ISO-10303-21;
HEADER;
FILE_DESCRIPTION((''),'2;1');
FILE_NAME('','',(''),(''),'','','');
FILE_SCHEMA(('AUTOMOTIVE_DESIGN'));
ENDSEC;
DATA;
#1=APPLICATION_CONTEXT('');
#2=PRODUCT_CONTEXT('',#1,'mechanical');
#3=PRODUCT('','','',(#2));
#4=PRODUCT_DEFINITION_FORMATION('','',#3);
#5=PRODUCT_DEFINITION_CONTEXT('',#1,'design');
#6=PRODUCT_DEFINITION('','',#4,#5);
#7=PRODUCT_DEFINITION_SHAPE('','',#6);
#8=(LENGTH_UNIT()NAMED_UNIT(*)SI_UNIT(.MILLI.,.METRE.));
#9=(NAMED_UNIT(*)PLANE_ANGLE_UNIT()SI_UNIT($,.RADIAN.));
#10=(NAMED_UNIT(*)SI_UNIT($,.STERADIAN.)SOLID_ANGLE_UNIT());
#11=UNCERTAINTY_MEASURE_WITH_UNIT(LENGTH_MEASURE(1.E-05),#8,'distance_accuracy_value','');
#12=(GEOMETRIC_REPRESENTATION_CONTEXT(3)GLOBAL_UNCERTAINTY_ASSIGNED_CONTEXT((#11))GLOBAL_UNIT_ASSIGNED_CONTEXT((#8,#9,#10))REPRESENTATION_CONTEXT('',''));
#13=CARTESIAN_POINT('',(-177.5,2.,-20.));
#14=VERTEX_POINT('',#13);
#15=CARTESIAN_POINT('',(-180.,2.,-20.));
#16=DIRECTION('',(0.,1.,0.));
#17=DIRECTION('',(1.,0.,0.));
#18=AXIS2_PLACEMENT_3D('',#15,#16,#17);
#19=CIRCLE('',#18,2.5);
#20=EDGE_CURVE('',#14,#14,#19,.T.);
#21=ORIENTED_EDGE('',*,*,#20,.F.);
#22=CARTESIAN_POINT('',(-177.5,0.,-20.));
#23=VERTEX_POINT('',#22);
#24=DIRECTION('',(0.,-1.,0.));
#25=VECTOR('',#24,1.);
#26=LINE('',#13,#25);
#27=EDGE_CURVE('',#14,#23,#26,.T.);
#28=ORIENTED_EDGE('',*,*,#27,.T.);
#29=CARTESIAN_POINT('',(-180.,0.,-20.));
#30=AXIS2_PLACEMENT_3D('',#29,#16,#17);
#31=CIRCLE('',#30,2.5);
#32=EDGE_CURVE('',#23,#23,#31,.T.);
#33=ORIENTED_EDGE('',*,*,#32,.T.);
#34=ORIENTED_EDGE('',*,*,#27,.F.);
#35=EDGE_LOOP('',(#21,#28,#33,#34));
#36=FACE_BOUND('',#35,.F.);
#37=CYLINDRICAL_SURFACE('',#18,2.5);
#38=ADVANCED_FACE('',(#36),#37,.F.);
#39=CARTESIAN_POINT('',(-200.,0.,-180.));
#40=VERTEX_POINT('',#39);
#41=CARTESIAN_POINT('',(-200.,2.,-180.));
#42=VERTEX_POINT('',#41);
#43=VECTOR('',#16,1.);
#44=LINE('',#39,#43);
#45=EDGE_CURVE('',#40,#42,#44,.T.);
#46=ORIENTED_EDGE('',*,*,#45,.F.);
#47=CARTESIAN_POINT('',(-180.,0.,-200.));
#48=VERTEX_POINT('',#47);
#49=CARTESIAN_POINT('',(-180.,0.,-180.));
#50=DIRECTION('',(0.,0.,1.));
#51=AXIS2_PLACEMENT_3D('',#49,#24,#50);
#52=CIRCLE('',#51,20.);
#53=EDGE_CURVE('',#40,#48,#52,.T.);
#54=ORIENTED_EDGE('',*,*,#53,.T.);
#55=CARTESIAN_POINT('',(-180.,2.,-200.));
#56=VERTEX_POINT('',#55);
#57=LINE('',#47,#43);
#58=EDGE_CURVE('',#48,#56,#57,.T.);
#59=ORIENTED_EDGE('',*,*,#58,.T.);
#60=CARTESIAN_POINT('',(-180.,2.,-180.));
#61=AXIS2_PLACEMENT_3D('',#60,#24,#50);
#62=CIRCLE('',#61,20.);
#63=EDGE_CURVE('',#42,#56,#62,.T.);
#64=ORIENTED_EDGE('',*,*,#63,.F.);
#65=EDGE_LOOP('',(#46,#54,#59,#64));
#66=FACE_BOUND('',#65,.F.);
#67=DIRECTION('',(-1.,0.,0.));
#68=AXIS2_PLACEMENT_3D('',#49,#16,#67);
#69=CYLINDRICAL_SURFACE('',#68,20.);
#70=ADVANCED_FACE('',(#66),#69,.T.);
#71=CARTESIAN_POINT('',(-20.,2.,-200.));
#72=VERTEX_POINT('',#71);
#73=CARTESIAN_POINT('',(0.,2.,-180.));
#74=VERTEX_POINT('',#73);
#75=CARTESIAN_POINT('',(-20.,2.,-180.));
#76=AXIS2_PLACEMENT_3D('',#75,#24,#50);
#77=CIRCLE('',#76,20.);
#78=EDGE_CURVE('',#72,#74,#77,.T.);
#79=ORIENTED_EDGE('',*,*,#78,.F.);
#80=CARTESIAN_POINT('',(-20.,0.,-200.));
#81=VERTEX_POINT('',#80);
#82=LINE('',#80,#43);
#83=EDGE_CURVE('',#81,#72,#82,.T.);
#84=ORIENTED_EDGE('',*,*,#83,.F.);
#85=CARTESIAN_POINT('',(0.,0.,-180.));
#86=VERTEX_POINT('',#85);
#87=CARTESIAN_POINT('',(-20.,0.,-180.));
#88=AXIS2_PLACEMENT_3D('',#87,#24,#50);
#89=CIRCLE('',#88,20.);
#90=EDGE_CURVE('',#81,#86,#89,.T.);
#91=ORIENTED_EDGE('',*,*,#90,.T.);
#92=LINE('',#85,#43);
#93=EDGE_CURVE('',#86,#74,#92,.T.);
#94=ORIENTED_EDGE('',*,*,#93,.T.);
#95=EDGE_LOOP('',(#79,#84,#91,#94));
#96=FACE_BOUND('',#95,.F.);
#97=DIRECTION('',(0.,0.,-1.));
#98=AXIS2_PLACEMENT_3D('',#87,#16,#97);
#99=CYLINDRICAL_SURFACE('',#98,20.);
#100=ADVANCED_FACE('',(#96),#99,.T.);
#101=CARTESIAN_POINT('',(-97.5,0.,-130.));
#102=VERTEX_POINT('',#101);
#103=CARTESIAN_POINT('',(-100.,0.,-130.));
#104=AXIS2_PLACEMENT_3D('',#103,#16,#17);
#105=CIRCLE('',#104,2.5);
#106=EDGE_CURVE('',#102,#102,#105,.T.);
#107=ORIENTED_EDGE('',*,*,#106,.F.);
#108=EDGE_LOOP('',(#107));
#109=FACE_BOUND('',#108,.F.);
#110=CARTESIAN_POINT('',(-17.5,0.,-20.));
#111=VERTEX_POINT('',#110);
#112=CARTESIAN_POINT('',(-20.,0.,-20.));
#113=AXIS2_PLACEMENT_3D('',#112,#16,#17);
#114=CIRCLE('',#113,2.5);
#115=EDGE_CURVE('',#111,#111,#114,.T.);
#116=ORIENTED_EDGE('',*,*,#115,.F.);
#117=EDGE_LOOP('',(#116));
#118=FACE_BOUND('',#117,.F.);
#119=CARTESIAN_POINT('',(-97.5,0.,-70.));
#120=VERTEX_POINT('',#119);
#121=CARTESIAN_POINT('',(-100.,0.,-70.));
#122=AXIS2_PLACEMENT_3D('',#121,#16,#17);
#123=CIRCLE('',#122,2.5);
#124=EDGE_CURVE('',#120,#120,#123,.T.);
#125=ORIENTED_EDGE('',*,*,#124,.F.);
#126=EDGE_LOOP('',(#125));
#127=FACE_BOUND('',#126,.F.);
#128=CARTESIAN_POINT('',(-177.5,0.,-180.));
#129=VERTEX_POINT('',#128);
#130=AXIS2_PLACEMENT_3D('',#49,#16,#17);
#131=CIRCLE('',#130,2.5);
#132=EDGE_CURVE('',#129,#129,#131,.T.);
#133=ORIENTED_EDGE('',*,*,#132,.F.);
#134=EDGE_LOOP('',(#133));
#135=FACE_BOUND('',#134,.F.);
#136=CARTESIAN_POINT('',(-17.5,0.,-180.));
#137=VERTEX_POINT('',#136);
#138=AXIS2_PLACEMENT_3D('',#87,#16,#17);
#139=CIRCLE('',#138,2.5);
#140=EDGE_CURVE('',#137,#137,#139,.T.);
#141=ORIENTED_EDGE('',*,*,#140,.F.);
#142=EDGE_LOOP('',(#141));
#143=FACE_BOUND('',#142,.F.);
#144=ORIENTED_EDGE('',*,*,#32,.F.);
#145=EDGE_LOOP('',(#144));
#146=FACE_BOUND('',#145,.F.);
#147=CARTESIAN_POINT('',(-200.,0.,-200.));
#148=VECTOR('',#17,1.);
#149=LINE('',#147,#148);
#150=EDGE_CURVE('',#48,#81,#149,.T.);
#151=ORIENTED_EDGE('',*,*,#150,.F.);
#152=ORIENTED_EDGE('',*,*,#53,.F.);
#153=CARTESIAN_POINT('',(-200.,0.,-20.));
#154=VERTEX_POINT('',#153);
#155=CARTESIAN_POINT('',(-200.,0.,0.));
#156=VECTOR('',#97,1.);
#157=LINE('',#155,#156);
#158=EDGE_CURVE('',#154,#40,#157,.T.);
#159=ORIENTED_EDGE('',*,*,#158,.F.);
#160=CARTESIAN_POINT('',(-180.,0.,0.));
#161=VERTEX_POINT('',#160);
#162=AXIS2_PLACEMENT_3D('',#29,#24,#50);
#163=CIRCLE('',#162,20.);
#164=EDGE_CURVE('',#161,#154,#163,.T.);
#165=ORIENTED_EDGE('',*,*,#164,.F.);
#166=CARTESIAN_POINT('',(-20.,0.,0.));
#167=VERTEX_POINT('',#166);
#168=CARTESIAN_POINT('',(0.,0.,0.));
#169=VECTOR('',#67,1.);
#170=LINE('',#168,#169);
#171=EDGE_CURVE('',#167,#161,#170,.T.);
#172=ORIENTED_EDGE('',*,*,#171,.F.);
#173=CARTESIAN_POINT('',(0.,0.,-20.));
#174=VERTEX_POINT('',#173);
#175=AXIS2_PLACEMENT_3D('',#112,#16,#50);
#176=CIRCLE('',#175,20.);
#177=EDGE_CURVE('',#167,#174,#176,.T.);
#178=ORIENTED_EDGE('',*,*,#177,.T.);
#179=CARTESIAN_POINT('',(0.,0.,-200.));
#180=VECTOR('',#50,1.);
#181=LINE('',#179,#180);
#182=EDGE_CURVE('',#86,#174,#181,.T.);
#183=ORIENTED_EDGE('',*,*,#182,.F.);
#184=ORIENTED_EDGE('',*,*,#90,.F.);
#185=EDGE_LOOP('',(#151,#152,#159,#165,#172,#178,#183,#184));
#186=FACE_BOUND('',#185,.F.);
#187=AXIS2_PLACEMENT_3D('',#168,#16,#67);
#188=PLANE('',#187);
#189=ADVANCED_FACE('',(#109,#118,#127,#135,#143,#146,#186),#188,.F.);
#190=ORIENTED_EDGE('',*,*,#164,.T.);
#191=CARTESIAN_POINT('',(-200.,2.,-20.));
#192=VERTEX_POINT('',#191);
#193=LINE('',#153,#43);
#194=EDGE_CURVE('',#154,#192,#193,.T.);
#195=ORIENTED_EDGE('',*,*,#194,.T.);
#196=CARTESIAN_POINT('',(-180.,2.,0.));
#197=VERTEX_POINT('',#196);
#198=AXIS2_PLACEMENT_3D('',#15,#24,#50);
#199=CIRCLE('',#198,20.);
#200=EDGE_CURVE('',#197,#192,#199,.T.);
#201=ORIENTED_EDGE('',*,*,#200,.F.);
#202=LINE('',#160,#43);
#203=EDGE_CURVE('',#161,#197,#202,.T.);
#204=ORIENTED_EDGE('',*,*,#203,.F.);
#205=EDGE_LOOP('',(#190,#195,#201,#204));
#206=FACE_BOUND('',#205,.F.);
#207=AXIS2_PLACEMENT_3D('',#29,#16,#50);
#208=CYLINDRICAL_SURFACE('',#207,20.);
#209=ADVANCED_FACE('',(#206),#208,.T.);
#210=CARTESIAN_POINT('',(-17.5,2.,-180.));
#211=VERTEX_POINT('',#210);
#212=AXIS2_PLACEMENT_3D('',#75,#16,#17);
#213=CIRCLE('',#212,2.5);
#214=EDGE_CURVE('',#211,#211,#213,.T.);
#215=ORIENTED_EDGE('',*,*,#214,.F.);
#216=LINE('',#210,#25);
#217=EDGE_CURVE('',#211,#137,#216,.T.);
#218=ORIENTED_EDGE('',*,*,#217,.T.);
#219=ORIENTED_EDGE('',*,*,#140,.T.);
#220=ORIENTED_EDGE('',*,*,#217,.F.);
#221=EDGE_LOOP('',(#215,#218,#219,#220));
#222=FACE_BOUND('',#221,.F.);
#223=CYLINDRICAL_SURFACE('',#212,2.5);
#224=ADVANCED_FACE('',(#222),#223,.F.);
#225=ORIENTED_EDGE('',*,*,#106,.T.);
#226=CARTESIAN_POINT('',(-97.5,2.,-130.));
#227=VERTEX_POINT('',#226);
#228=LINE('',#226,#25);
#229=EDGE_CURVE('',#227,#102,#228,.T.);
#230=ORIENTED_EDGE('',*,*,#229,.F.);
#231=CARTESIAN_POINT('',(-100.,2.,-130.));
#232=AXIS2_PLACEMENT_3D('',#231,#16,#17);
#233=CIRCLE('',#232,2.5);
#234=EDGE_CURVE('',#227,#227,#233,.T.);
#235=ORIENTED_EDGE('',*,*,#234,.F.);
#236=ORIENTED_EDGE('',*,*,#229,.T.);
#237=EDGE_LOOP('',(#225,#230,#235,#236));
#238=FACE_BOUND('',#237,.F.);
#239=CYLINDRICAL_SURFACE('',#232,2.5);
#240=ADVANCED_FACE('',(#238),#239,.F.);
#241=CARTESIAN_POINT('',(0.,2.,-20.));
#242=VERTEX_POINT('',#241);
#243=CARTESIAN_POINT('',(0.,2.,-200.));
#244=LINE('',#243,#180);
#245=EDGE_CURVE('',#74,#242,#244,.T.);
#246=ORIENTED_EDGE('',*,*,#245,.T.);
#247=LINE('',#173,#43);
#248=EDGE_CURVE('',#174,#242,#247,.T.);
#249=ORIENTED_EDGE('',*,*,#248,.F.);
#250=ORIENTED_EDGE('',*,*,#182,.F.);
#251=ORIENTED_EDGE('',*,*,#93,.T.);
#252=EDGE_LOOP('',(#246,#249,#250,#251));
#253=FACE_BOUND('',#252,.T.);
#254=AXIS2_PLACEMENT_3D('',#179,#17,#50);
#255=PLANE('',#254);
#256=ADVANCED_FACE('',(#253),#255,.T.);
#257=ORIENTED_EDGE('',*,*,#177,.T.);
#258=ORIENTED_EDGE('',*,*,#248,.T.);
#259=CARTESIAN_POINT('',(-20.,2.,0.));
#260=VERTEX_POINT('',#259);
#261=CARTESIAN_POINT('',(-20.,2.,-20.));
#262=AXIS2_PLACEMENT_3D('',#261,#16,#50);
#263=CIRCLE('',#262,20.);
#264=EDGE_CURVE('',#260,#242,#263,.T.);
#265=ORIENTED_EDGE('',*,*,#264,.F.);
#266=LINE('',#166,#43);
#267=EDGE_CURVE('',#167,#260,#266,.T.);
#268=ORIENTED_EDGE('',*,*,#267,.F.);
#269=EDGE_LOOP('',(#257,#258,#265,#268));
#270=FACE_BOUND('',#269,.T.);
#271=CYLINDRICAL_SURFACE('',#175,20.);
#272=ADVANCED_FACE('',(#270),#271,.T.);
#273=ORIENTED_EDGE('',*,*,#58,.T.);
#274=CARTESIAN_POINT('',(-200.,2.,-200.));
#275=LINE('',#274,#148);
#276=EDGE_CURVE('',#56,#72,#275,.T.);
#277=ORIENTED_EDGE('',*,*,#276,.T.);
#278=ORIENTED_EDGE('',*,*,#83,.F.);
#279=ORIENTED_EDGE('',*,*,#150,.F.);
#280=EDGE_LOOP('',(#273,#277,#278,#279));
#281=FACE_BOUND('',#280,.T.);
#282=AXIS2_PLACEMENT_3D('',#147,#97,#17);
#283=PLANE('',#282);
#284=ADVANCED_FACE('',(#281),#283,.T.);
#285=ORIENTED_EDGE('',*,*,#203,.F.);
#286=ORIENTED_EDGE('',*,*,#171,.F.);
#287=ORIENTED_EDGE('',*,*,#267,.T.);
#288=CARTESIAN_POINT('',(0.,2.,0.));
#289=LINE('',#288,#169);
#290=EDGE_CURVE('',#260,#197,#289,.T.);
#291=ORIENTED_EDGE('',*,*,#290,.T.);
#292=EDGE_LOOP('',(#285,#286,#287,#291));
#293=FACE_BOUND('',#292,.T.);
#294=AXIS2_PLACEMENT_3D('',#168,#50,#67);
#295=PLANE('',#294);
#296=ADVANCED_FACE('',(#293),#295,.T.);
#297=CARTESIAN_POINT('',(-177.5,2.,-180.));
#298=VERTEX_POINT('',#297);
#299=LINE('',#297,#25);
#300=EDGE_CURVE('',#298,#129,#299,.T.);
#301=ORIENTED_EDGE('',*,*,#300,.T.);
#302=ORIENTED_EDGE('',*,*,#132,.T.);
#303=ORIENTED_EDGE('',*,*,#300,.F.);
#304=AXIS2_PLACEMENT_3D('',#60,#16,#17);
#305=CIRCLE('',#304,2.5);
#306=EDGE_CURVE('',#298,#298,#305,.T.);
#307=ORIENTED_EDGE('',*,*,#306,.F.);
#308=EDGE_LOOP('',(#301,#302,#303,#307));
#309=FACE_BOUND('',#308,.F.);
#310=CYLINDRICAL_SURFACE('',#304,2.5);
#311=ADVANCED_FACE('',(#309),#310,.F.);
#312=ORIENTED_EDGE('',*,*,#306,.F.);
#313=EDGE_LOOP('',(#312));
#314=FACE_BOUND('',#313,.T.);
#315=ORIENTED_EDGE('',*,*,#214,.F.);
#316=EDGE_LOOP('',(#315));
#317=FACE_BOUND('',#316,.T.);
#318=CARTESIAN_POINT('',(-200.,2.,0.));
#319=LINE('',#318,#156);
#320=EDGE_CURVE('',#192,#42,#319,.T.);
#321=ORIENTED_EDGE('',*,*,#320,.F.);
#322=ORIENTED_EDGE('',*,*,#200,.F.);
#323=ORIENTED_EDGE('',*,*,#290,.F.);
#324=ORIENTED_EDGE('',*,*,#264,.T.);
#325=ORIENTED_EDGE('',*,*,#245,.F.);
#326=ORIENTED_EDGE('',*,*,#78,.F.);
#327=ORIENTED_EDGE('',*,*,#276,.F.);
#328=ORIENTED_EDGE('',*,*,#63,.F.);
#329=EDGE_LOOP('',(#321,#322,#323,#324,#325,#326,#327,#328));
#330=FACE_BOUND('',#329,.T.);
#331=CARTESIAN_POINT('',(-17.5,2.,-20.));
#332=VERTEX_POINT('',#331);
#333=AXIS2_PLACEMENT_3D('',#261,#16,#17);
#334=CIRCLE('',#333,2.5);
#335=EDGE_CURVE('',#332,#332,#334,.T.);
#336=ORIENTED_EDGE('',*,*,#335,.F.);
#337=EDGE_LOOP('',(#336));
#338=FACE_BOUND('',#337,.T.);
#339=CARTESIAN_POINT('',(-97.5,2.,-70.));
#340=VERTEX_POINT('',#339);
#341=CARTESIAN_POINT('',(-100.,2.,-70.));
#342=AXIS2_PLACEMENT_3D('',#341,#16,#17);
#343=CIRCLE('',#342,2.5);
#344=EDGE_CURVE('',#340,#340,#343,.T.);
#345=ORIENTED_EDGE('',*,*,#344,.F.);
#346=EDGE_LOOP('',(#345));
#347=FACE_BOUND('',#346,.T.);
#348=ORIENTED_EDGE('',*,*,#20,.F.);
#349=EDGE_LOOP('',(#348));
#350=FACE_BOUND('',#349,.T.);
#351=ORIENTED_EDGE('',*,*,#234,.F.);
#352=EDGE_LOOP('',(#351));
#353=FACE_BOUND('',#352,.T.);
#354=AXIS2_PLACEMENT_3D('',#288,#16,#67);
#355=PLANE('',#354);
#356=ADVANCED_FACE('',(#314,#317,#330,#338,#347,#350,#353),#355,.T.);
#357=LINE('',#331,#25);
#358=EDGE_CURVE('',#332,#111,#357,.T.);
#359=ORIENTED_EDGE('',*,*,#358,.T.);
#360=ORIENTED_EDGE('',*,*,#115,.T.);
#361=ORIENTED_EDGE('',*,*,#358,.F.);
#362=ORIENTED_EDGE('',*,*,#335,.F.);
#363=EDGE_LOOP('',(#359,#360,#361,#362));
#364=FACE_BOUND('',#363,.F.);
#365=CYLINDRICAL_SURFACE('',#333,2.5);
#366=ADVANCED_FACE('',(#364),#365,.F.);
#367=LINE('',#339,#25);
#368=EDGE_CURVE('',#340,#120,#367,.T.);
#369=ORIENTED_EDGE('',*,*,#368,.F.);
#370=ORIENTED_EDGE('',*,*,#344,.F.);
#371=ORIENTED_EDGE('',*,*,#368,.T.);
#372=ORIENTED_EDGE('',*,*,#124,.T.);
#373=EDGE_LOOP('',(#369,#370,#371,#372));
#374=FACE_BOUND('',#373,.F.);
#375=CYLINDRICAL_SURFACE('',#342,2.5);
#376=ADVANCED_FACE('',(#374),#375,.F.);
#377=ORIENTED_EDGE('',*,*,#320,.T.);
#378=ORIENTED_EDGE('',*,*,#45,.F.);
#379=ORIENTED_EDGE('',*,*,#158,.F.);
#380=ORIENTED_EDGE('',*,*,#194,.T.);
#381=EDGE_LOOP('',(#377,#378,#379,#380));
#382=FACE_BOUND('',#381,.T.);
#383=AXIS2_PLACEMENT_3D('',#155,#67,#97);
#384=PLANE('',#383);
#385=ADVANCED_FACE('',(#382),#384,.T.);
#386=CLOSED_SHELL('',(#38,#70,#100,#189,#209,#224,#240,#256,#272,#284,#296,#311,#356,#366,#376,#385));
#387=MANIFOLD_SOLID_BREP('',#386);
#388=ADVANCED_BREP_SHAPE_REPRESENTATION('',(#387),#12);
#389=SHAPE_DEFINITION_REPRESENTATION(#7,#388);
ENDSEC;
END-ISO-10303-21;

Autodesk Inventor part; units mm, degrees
ref_plane "YZ Plane" through (0, 0, 0) normal (1, 0, 0) x (0, 1, 0)
ref_plane "XZ Plane" through (0, 0, 0) normal (0, 1, 0) x (-1, 0, 0)
ref_plane "XY Plane" through (0, 0, 0) normal (0, 0, 1) x (1, 0, 0)
sketch "Sketch1" plane through (0, 0, 0) normal (0, 1, 0) x (-1, 0, 0)
  line L0 (0, 0) -> (200, 0)
  line L1 (200, 0) -> (200, -200)
  line L2 (200, -200) -> (0, -200)
  line L3 (0, -200) -> (0, 0)
  dimension "d0" = 200
  dimension "d1" = 200
extrude "Extrusion1" add sketch "Sketch1" along normal blind 2
fillet "Fillet1" radius 20 4 edges at (-200, 1, 0) (0, 1, 0) (0, 1, -200) (-200, 1, -200)
sketch "Sketch4" plane through (0, 2, 0) normal (0, 1, 0) x (1, 0, 0)
  arc A0 (-20, 0) -> (0, 20) centre (-20, 20) ccw projected
  arc A1 (-200, 20) -> (-180, 0) centre (-180, 20) ccw projected
  arc A2 (0, 180) -> (-20, 200) centre (-20, 180) ccw projected
  arc A3 (-180, 200) -> (-200, 180) centre (-180, 180) ccw projected
  circle A4 centre (-20, 180) radius 2.5
  circle A5 centre (-180, 180) radius 2.5
  circle A6 centre (-180, 20) radius 2.5
  circle A7 centre (-20, 20) radius 2.5
  line L0 (-180, 0) -> (-20, 0) projected
  line L1 (0, 20) -> (0, 180) projected
  point P0 (0, 0)
  dimension "d19" = 5
  dimension "d20" = 5
  dimension "d21" = 5
  dimension "d22" = 5
extrude "Extrusion4" cut sketch "Sketch4" against normal blind 2
sketch "Sketch6" plane through (0, 2, 0) normal (0, 1, 0) x (1, 0, 0)
  circle A0 centre (-100, 70) radius 2.5
  circle A1 centre (-100, 130) radius 2.5
  point P0 (0, 0)
  dimension "d34" = 5
  dimension "d35" = 5
extrude "Extrusion6" cut sketch "Sketch6" against normal blind 10
properties part number "Basequadrada" material "PPS Plastic"
